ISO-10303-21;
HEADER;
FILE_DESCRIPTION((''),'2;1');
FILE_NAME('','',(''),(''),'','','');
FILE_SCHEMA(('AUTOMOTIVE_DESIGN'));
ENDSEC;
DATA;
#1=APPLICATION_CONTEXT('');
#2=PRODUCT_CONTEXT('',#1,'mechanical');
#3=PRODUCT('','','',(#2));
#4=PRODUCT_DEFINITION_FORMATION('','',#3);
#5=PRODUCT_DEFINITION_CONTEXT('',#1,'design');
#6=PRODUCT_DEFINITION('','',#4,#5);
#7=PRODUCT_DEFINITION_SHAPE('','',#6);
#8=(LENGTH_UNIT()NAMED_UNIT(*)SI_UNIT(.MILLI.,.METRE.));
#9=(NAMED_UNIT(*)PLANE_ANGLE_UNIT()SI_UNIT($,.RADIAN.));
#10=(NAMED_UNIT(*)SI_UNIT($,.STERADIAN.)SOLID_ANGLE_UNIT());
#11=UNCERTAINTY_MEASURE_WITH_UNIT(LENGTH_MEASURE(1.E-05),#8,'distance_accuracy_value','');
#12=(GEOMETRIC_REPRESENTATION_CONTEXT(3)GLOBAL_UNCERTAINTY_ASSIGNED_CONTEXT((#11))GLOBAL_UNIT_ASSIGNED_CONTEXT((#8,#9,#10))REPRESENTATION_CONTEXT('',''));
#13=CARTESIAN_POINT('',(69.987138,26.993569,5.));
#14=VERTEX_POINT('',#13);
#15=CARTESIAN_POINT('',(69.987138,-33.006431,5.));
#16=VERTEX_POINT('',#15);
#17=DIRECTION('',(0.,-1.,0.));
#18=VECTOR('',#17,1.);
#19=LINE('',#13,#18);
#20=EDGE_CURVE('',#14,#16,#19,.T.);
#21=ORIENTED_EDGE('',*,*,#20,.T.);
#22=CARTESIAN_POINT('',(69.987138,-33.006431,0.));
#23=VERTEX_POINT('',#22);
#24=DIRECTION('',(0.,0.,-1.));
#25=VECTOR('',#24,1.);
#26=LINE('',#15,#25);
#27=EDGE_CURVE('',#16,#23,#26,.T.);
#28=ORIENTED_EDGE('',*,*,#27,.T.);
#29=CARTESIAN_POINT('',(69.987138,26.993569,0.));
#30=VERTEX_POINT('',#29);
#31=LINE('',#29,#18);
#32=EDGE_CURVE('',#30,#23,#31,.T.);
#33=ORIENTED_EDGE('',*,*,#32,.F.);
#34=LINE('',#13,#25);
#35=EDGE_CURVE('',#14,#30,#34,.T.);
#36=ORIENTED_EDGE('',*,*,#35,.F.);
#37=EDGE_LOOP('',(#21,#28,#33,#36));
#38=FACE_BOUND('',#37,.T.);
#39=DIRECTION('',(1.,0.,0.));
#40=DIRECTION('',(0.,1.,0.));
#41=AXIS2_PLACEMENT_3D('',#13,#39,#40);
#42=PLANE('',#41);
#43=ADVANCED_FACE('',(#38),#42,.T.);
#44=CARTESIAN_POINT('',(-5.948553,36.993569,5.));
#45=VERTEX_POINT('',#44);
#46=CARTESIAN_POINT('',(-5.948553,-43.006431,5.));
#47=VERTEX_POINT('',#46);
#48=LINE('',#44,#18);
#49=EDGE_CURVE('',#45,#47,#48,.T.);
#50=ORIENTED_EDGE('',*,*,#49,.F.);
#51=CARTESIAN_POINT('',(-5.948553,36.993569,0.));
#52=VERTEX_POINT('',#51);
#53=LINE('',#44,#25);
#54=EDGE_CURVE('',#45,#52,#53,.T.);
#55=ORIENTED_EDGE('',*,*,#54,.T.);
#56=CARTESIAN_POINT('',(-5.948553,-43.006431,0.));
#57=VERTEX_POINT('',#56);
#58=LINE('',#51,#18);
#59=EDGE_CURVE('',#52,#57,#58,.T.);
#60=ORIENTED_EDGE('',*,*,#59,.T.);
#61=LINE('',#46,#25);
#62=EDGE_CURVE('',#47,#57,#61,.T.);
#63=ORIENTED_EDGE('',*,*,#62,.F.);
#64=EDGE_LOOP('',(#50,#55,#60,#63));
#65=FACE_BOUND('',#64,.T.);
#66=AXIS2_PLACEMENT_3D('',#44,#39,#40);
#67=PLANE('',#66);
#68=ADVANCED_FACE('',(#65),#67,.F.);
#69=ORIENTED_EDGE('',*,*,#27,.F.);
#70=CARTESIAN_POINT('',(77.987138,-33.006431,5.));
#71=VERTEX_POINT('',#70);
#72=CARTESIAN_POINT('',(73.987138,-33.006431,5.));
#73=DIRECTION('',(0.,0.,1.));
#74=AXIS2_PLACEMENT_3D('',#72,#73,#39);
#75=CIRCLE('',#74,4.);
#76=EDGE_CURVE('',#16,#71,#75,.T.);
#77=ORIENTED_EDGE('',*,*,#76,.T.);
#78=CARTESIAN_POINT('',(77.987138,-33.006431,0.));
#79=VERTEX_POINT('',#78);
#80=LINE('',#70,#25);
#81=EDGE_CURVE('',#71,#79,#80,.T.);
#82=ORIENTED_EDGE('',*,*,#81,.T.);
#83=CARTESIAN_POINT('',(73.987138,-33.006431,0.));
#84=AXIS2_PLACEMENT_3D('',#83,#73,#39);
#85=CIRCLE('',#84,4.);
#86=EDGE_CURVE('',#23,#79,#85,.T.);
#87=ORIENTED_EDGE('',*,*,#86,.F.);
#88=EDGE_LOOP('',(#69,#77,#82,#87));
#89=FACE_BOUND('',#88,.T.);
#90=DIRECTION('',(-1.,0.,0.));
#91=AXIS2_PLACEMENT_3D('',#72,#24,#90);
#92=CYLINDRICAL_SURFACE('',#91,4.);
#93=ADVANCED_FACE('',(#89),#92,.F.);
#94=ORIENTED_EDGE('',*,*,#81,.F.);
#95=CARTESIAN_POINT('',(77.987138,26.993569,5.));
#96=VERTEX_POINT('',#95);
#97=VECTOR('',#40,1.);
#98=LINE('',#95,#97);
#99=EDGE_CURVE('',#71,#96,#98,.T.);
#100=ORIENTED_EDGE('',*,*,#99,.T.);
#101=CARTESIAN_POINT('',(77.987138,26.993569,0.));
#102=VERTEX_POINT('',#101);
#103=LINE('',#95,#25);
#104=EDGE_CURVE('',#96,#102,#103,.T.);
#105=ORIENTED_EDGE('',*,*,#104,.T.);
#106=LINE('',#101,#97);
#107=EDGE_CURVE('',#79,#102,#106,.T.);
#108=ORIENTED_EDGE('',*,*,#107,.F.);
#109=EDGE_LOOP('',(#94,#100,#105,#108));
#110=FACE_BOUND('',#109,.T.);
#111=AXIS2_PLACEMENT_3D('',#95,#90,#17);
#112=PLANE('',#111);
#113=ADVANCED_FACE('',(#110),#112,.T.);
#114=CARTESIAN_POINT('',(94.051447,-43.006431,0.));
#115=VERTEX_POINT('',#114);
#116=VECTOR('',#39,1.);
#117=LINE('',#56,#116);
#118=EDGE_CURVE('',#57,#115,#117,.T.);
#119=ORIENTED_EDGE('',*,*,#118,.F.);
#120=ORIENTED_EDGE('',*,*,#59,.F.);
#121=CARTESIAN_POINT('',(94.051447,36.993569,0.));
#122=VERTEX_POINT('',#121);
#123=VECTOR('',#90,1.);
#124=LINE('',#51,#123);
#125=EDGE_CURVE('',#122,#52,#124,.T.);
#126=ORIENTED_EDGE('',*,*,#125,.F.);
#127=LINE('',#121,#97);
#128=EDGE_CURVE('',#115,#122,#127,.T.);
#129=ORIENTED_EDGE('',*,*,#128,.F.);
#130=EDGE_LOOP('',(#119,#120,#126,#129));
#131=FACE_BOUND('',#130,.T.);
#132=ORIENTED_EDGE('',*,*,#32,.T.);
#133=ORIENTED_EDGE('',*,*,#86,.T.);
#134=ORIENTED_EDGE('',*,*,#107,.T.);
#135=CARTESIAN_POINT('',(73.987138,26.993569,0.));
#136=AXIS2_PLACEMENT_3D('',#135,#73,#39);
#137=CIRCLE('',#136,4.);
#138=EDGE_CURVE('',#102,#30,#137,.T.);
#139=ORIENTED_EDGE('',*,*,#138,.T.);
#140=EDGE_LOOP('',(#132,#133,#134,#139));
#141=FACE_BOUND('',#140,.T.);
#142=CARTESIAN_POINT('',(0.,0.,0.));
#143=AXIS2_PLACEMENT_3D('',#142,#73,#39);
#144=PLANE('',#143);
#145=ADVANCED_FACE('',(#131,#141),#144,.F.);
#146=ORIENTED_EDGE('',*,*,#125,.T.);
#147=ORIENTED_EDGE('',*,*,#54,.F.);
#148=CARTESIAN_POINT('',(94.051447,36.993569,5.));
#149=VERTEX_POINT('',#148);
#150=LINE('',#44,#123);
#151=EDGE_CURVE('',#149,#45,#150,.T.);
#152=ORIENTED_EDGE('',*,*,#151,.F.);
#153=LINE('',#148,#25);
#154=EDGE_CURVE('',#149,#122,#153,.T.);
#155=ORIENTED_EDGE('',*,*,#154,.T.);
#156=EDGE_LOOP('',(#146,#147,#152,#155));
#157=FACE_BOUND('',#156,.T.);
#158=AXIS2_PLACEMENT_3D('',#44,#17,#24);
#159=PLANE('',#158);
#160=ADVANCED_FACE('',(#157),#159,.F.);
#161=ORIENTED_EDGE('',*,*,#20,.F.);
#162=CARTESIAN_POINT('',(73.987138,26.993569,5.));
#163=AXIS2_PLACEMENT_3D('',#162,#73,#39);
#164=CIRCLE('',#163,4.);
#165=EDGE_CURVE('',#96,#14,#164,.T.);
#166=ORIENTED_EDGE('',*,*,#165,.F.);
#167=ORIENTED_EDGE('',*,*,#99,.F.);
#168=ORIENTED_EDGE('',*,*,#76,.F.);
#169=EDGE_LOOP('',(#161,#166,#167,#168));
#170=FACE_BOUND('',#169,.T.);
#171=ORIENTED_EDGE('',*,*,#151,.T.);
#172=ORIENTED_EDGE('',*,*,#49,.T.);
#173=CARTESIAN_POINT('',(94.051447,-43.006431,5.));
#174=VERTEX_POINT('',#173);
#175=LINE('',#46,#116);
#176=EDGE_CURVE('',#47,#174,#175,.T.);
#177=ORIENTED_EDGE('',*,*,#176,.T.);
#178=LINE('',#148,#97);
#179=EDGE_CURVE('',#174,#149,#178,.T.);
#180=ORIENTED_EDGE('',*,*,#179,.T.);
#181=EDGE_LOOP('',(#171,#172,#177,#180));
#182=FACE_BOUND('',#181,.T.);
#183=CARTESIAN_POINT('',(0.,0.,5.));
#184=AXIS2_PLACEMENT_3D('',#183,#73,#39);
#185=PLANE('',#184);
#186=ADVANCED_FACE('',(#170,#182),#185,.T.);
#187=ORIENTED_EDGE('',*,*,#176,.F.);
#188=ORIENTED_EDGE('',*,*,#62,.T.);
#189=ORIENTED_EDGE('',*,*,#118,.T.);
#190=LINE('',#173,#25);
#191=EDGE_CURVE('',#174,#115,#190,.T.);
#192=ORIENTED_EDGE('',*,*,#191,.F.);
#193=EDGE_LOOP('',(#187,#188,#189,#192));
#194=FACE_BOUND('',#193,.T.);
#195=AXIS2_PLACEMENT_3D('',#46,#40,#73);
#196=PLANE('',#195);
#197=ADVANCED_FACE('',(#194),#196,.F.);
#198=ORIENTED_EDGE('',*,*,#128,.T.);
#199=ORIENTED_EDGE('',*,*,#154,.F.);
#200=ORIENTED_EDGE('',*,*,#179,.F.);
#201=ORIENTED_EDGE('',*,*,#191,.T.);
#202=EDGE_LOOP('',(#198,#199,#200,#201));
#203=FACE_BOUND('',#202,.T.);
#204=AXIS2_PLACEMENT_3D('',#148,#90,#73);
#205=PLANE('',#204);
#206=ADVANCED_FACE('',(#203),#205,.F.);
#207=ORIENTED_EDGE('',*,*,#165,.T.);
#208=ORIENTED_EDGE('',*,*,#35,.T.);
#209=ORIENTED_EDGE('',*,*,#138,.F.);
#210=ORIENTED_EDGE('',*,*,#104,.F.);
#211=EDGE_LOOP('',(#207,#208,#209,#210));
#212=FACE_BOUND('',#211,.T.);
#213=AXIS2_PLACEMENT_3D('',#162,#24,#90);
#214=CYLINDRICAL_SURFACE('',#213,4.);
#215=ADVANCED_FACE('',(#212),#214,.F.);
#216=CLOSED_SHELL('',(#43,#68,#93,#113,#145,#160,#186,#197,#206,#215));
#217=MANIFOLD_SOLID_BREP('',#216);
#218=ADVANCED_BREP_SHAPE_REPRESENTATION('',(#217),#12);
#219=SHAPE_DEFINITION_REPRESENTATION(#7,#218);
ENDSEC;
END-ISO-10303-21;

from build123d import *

# Parameters (mm, degrees)
SKETCH1_W           = 100
SKETCH1_H           = 80
BOSS_EXTRUDE1_DEPTH = 5


with BuildPart() as part:
    # Sketch1 → Boss-Extrude1 (new body)
    with BuildSketch(Plane.XY):
        with Locations((44.051446945, -3.006430868)):
            Rectangle(SKETCH1_W, SKETCH1_H)
        with BuildLine():
            Line((77.987138264, 26.993569132), (77.987138264, -33.006430868))
            ThreePointArc((77.987138264, -33.006430868), (73.987138264, -37.006430868), (69.987138264, -33.006430868))
            Line((69.987138264, -33.006430868), (69.987138264, 26.993569132))
            ThreePointArc((69.987138264, 26.993569132), (73.987138264, 30.993569132), (77.987138264, 26.993569132))
        make_face(mode=Mode.SUBTRACT)
    extrude(amount=BOSS_EXTRUDE1_DEPTH)


solid = part.part
